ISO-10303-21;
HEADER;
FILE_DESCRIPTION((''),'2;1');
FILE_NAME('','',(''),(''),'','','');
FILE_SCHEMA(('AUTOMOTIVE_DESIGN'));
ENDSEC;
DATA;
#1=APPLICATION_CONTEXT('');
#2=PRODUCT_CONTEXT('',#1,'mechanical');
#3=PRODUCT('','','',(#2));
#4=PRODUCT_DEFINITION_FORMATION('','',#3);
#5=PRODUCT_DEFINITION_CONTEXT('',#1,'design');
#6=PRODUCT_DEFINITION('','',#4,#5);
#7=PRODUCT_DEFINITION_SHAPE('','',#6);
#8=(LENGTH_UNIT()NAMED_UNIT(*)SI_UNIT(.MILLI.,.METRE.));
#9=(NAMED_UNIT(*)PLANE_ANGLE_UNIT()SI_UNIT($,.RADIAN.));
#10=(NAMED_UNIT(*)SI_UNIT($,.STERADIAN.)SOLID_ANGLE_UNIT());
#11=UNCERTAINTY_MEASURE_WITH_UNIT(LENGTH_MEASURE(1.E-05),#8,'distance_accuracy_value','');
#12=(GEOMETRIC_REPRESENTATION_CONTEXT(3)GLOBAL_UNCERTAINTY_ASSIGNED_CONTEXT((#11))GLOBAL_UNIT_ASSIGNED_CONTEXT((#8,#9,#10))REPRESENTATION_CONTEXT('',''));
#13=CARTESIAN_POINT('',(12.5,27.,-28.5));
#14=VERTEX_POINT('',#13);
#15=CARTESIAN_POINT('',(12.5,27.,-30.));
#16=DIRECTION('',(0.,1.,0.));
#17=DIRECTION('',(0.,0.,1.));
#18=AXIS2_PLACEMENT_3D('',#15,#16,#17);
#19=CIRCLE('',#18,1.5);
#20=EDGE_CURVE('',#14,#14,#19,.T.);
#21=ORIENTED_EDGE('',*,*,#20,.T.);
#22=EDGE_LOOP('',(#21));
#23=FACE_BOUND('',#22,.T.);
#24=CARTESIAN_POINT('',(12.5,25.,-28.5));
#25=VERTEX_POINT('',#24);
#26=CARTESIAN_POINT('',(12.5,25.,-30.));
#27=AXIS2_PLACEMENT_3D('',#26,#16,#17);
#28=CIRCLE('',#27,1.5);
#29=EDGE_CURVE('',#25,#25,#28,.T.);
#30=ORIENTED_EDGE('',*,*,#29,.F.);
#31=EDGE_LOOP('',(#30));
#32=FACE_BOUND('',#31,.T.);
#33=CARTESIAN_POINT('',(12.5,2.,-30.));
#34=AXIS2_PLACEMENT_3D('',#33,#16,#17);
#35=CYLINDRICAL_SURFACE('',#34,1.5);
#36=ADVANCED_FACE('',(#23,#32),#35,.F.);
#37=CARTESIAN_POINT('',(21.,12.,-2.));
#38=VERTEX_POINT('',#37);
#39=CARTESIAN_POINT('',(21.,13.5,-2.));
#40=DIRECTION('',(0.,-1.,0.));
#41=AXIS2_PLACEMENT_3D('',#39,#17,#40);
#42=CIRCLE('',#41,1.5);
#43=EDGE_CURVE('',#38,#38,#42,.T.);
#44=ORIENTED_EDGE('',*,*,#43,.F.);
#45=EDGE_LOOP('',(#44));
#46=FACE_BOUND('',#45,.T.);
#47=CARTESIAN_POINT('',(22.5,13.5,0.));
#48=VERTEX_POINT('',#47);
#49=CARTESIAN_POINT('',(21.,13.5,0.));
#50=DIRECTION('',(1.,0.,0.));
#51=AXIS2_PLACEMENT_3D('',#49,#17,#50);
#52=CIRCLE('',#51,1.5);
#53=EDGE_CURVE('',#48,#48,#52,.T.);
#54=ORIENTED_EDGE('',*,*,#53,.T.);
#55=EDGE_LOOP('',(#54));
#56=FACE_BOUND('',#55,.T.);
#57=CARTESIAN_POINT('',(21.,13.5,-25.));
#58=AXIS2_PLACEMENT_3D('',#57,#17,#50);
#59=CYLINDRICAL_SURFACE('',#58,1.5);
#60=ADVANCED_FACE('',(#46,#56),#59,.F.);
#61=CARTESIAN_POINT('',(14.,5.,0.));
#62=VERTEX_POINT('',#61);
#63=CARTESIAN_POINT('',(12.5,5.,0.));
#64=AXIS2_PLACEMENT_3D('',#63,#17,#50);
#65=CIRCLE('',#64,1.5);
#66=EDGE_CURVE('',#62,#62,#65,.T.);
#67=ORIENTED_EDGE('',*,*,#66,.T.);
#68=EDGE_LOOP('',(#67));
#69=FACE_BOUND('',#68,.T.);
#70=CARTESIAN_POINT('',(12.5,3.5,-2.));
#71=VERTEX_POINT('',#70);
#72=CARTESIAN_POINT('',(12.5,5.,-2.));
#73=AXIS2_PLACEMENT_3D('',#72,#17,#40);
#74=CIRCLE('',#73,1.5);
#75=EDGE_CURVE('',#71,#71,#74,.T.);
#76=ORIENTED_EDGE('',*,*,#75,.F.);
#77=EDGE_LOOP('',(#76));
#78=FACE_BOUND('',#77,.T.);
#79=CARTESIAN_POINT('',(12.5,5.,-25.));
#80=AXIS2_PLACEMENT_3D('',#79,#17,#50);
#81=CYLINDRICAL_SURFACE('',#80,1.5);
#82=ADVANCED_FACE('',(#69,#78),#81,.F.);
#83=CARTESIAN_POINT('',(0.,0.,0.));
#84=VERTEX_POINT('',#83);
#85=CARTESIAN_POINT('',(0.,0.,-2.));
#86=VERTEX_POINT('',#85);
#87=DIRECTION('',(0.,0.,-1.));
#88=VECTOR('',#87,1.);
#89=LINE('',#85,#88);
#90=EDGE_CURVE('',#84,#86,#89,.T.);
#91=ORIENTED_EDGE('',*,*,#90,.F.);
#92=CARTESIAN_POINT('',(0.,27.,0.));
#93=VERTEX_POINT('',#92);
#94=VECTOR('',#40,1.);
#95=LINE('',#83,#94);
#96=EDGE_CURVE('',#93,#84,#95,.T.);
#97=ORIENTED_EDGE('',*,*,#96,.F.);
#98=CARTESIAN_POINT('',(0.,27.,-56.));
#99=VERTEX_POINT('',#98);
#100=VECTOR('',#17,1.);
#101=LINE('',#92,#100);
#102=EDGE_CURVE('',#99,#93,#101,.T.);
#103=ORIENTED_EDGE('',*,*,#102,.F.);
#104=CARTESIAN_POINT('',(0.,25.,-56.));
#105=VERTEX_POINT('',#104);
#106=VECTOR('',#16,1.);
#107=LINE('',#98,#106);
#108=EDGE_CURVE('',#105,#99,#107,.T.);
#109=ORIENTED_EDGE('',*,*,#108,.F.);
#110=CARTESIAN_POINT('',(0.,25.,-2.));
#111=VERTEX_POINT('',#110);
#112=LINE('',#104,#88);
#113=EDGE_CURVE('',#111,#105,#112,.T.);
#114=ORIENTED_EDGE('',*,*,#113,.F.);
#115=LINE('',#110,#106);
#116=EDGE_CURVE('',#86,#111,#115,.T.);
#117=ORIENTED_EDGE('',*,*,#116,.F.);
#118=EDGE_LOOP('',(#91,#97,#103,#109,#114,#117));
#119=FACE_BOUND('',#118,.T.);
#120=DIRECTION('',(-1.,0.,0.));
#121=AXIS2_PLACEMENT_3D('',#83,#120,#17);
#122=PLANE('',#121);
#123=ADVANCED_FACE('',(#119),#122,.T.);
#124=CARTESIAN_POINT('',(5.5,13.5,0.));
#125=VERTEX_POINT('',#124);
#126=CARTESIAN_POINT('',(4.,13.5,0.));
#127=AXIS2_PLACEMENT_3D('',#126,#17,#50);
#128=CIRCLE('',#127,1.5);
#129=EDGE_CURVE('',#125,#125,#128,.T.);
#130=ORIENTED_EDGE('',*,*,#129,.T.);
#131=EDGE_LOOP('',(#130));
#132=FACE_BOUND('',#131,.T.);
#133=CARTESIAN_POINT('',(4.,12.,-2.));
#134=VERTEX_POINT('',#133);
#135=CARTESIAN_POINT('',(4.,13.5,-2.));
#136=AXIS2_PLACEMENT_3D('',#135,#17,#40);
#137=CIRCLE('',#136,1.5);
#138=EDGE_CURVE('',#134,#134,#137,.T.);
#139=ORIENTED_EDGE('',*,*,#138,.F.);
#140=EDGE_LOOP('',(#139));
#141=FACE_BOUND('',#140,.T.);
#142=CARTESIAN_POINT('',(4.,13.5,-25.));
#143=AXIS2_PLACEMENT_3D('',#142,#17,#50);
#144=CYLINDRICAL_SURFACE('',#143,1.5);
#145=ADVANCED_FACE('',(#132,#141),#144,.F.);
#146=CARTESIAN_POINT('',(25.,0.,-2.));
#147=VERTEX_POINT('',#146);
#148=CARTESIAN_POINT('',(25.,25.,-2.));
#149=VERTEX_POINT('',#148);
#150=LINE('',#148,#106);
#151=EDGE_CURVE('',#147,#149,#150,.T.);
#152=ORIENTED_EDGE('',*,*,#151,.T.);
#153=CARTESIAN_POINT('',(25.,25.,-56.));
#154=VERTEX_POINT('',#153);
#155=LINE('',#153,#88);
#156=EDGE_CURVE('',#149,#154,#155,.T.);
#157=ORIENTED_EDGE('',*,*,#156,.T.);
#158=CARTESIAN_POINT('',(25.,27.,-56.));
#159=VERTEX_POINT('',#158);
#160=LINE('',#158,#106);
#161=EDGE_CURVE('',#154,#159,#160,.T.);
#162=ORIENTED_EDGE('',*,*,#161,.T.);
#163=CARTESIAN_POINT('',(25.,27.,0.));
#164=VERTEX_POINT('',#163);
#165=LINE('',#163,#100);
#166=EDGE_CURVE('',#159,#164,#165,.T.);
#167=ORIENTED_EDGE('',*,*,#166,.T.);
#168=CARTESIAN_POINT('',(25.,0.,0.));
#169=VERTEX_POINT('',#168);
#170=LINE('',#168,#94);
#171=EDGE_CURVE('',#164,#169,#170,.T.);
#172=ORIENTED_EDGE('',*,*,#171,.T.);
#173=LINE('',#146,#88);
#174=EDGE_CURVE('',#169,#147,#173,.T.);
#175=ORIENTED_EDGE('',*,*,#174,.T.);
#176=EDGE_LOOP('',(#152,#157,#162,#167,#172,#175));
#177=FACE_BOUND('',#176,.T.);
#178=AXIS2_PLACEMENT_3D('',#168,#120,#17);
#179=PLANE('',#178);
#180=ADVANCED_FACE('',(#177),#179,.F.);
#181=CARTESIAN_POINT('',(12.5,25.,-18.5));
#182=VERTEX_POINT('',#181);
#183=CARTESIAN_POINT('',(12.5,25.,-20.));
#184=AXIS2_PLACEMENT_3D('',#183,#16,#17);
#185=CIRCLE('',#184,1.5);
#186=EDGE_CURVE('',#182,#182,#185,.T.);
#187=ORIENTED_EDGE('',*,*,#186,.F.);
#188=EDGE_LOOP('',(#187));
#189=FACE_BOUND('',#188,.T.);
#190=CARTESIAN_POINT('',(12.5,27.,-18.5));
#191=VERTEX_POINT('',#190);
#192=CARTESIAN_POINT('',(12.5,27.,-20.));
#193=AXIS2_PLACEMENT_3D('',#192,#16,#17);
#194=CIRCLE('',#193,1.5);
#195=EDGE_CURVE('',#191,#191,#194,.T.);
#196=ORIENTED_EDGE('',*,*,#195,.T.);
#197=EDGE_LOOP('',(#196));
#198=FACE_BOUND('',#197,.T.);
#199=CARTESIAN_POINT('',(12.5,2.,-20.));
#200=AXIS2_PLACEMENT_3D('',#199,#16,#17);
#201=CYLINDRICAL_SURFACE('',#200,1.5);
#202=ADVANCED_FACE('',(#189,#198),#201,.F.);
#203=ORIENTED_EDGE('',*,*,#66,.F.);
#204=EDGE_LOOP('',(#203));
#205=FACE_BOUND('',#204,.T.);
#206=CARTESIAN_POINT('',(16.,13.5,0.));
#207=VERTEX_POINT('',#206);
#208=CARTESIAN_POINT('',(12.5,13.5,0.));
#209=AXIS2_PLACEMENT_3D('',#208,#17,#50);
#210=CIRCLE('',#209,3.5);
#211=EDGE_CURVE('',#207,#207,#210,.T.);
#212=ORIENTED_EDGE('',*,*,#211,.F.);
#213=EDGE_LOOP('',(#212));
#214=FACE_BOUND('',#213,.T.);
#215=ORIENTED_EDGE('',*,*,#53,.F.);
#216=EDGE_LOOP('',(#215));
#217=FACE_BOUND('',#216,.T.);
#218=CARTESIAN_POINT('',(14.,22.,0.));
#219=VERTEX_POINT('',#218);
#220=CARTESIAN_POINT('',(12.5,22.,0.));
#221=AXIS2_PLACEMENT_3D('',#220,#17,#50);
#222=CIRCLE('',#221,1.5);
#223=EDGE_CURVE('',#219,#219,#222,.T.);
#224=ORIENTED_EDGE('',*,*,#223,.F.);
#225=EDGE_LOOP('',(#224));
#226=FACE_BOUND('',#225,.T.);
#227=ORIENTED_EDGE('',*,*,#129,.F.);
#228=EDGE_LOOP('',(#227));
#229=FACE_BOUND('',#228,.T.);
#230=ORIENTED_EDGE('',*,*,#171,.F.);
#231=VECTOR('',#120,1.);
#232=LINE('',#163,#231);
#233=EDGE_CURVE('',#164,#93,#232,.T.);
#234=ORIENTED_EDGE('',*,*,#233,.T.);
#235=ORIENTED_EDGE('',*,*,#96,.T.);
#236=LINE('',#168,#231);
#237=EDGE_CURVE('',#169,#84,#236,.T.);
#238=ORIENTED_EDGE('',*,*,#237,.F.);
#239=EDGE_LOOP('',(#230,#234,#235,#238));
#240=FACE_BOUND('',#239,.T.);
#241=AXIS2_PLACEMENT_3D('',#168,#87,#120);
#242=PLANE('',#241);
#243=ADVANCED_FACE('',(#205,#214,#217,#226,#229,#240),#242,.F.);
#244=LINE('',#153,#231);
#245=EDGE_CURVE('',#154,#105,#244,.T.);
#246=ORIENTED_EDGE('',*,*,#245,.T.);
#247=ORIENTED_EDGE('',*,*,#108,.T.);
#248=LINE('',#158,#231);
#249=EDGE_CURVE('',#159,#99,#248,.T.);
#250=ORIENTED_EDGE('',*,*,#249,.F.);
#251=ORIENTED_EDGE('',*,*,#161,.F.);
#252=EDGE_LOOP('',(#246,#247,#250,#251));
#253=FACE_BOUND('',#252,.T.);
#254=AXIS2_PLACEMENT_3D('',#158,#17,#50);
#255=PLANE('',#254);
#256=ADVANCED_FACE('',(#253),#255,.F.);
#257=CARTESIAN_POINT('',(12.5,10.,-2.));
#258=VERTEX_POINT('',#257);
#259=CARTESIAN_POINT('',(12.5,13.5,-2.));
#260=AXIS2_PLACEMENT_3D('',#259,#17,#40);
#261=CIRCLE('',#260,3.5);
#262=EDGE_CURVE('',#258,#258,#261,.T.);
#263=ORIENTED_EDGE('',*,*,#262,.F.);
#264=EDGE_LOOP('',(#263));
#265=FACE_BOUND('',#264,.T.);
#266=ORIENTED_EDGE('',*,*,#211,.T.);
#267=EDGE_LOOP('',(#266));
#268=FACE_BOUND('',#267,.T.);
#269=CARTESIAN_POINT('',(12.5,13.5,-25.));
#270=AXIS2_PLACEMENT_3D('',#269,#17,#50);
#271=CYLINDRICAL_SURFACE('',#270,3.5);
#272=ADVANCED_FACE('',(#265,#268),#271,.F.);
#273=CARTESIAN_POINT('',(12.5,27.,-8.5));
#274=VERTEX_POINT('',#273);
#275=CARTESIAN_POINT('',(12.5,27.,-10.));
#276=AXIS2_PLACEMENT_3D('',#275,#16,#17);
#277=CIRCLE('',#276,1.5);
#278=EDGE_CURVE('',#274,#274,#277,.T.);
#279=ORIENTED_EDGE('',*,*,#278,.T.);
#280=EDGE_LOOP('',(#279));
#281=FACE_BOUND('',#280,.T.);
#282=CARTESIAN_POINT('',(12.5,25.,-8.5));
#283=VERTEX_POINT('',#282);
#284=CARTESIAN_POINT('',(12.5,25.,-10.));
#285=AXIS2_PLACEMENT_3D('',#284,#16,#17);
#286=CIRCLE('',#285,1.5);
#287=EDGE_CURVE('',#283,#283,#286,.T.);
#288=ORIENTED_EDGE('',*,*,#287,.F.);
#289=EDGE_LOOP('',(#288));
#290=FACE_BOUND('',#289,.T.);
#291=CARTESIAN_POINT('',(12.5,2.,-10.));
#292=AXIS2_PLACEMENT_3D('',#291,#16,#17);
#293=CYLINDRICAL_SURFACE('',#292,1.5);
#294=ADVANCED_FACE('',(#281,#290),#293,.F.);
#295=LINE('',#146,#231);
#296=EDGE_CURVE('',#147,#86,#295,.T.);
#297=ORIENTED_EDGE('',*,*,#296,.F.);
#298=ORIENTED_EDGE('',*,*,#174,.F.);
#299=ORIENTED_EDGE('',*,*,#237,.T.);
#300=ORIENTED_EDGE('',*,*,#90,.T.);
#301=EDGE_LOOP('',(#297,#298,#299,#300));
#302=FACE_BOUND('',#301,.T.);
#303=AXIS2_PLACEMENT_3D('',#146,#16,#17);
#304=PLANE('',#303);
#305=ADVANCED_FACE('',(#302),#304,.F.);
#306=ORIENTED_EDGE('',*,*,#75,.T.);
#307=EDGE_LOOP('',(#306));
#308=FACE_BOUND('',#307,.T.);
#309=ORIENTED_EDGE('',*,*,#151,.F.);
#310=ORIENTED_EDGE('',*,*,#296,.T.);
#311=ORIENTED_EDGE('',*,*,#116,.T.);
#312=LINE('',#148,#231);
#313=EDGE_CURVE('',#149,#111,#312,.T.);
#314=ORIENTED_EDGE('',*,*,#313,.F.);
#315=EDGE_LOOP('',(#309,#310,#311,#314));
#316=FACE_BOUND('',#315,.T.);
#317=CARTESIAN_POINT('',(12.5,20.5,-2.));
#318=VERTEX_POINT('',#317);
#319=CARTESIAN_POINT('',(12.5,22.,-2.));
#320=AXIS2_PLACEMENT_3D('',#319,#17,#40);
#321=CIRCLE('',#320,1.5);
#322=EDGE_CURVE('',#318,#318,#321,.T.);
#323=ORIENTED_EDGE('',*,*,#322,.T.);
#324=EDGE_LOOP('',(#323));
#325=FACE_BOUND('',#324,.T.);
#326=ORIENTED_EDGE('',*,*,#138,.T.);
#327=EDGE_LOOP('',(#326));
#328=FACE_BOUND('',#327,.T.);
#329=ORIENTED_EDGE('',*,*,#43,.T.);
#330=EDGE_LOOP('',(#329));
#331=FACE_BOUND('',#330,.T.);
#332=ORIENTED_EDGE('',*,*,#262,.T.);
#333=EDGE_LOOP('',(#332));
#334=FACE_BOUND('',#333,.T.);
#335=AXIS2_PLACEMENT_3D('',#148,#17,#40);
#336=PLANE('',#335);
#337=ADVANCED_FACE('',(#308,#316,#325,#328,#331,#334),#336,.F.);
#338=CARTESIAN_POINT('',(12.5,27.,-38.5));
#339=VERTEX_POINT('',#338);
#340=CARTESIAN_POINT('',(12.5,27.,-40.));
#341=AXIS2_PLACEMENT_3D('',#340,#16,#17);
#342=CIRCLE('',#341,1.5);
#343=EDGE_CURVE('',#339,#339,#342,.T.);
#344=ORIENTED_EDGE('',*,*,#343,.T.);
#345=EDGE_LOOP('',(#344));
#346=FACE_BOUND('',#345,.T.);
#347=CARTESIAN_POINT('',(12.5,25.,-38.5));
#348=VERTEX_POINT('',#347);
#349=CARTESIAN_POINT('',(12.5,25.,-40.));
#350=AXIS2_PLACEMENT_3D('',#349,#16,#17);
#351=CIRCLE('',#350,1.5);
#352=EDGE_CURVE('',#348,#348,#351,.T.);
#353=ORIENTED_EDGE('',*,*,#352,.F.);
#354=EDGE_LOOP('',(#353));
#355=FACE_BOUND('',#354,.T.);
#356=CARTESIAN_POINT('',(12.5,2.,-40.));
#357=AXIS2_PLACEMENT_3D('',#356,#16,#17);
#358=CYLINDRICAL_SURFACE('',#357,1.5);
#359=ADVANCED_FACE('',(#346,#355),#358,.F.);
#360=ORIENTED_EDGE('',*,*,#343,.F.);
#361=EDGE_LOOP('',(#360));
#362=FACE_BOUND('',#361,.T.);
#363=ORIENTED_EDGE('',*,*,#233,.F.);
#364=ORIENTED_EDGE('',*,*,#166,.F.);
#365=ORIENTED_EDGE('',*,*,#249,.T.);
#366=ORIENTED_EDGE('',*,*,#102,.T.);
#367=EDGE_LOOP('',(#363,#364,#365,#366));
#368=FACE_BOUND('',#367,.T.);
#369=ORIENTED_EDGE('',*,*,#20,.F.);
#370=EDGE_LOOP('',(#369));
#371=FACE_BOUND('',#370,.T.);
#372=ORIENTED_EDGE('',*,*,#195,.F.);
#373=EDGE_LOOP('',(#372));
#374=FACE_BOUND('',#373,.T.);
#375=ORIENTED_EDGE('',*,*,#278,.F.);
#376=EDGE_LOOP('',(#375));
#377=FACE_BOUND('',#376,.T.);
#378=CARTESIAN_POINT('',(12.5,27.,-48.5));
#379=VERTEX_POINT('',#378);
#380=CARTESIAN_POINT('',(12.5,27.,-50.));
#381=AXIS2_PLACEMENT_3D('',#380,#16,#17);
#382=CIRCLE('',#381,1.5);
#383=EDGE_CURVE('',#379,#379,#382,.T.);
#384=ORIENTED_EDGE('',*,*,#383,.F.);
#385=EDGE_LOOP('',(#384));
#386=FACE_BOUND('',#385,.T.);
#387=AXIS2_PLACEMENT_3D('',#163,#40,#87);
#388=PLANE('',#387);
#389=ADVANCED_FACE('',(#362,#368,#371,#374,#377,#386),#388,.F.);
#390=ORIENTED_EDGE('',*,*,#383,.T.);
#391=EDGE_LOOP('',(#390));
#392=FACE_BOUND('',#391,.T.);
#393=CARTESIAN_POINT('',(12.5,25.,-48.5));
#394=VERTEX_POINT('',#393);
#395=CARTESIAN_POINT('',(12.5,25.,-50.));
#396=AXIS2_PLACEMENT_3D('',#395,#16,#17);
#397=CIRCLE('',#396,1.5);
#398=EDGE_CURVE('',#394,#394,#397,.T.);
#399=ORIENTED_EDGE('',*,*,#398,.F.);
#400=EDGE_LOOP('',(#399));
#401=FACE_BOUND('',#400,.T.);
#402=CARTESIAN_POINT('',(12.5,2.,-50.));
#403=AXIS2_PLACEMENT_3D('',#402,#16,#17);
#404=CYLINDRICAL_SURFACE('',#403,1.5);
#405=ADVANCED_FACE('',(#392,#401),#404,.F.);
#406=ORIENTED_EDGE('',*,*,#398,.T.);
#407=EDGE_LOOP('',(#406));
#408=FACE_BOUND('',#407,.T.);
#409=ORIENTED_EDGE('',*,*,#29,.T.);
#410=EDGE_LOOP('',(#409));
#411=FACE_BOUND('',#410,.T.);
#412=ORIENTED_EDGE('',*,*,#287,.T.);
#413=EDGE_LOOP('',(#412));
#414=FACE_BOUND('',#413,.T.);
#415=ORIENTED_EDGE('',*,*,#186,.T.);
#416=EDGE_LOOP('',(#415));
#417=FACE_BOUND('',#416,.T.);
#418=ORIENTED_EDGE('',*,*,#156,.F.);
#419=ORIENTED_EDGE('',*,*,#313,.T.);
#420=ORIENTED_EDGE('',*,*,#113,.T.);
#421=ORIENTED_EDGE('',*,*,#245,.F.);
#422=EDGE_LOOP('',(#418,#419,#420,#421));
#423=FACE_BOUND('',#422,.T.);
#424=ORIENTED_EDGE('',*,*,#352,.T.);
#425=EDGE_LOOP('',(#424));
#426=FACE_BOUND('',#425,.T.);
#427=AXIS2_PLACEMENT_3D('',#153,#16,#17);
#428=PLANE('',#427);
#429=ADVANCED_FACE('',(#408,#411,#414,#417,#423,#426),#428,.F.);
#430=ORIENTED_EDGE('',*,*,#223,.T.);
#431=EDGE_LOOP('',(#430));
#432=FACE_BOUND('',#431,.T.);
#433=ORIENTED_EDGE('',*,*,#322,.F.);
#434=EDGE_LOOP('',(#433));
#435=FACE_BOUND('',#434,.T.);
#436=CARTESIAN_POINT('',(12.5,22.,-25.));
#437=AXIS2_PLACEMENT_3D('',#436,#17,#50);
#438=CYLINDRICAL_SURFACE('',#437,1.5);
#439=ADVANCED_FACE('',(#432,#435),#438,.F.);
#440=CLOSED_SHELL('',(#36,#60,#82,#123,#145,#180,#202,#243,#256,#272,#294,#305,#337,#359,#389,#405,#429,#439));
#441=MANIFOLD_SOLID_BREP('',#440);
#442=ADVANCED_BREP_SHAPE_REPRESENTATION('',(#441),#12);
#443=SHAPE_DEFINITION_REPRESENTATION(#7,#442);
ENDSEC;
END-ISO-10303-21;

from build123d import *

# Parameters (mm, degrees)
BOSS_EXTRUDE1_DEPTH = 25
SKETCH2_R           = 1.5
SKETCH2_R_2         = 3.5
CUT_EXTRUDE1_DEPTH  = 25
SKETCH3_R           = 1.5
CUT_EXTRUDE2_DEPTH  = 25


with BuildPart() as part:
    # Sketch1 → Boss-Extrude1 (new body)
    with BuildSketch(Plane(origin=(0, 0, 0), x_dir=(0, 0, -1), z_dir=(1, 0, 0))):
        Polygon((0, 0), (0, 27), (56, 27), (56, 25), (2, 25), (2, 0), align=None)
    extrude(amount=BOSS_EXTRUDE1_DEPTH)

    # Sketch2 → Cut-Extrude1 (cut)
    with BuildSketch(Plane.XY):
        with Locations((4, 13.5)):
            Circle(SKETCH2_R)
        with Locations((12.5, 13.5)):
            Circle(SKETCH2_R_2)
        with Locations((12.5, 22)):
            Circle(SKETCH2_R)
        with Locations((21, 13.5)):
            Circle(SKETCH2_R)
        with Locations((12.5, 5)):
            Circle(SKETCH2_R)
    extrude(amount=-CUT_EXTRUDE1_DEPTH, mode=Mode.SUBTRACT)

    # Sketch3 → Cut-Extrude2 (cut)
    with BuildSketch(Plane(origin=(0, 27, 0), x_dir=(1, 0, 0), z_dir=(0, 1, 0))):
        with Locations(Location((12.5, 10, 0), (0, 0, 270))):
            Circle(SKETCH3_R)
        with Locations(Location((12.5, 20, 0), (0, 0, 270))):
            Circle(SKETCH3_R)
        with Locations(Location((12.5, 30, 0), (0, 0, 270))):
            Circle(SKETCH3_R)
        with Locations(Location((12.5, 40, 0), (0, 0, 270))):
            Circle(SKETCH3_R)
        with Locations(Location((12.5, 50, 0), (0, 0, 270))):
            Circle(SKETCH3_R)
    extrude(amount=-CUT_EXTRUDE2_DEPTH, mode=Mode.SUBTRACT)


solid = part.part
